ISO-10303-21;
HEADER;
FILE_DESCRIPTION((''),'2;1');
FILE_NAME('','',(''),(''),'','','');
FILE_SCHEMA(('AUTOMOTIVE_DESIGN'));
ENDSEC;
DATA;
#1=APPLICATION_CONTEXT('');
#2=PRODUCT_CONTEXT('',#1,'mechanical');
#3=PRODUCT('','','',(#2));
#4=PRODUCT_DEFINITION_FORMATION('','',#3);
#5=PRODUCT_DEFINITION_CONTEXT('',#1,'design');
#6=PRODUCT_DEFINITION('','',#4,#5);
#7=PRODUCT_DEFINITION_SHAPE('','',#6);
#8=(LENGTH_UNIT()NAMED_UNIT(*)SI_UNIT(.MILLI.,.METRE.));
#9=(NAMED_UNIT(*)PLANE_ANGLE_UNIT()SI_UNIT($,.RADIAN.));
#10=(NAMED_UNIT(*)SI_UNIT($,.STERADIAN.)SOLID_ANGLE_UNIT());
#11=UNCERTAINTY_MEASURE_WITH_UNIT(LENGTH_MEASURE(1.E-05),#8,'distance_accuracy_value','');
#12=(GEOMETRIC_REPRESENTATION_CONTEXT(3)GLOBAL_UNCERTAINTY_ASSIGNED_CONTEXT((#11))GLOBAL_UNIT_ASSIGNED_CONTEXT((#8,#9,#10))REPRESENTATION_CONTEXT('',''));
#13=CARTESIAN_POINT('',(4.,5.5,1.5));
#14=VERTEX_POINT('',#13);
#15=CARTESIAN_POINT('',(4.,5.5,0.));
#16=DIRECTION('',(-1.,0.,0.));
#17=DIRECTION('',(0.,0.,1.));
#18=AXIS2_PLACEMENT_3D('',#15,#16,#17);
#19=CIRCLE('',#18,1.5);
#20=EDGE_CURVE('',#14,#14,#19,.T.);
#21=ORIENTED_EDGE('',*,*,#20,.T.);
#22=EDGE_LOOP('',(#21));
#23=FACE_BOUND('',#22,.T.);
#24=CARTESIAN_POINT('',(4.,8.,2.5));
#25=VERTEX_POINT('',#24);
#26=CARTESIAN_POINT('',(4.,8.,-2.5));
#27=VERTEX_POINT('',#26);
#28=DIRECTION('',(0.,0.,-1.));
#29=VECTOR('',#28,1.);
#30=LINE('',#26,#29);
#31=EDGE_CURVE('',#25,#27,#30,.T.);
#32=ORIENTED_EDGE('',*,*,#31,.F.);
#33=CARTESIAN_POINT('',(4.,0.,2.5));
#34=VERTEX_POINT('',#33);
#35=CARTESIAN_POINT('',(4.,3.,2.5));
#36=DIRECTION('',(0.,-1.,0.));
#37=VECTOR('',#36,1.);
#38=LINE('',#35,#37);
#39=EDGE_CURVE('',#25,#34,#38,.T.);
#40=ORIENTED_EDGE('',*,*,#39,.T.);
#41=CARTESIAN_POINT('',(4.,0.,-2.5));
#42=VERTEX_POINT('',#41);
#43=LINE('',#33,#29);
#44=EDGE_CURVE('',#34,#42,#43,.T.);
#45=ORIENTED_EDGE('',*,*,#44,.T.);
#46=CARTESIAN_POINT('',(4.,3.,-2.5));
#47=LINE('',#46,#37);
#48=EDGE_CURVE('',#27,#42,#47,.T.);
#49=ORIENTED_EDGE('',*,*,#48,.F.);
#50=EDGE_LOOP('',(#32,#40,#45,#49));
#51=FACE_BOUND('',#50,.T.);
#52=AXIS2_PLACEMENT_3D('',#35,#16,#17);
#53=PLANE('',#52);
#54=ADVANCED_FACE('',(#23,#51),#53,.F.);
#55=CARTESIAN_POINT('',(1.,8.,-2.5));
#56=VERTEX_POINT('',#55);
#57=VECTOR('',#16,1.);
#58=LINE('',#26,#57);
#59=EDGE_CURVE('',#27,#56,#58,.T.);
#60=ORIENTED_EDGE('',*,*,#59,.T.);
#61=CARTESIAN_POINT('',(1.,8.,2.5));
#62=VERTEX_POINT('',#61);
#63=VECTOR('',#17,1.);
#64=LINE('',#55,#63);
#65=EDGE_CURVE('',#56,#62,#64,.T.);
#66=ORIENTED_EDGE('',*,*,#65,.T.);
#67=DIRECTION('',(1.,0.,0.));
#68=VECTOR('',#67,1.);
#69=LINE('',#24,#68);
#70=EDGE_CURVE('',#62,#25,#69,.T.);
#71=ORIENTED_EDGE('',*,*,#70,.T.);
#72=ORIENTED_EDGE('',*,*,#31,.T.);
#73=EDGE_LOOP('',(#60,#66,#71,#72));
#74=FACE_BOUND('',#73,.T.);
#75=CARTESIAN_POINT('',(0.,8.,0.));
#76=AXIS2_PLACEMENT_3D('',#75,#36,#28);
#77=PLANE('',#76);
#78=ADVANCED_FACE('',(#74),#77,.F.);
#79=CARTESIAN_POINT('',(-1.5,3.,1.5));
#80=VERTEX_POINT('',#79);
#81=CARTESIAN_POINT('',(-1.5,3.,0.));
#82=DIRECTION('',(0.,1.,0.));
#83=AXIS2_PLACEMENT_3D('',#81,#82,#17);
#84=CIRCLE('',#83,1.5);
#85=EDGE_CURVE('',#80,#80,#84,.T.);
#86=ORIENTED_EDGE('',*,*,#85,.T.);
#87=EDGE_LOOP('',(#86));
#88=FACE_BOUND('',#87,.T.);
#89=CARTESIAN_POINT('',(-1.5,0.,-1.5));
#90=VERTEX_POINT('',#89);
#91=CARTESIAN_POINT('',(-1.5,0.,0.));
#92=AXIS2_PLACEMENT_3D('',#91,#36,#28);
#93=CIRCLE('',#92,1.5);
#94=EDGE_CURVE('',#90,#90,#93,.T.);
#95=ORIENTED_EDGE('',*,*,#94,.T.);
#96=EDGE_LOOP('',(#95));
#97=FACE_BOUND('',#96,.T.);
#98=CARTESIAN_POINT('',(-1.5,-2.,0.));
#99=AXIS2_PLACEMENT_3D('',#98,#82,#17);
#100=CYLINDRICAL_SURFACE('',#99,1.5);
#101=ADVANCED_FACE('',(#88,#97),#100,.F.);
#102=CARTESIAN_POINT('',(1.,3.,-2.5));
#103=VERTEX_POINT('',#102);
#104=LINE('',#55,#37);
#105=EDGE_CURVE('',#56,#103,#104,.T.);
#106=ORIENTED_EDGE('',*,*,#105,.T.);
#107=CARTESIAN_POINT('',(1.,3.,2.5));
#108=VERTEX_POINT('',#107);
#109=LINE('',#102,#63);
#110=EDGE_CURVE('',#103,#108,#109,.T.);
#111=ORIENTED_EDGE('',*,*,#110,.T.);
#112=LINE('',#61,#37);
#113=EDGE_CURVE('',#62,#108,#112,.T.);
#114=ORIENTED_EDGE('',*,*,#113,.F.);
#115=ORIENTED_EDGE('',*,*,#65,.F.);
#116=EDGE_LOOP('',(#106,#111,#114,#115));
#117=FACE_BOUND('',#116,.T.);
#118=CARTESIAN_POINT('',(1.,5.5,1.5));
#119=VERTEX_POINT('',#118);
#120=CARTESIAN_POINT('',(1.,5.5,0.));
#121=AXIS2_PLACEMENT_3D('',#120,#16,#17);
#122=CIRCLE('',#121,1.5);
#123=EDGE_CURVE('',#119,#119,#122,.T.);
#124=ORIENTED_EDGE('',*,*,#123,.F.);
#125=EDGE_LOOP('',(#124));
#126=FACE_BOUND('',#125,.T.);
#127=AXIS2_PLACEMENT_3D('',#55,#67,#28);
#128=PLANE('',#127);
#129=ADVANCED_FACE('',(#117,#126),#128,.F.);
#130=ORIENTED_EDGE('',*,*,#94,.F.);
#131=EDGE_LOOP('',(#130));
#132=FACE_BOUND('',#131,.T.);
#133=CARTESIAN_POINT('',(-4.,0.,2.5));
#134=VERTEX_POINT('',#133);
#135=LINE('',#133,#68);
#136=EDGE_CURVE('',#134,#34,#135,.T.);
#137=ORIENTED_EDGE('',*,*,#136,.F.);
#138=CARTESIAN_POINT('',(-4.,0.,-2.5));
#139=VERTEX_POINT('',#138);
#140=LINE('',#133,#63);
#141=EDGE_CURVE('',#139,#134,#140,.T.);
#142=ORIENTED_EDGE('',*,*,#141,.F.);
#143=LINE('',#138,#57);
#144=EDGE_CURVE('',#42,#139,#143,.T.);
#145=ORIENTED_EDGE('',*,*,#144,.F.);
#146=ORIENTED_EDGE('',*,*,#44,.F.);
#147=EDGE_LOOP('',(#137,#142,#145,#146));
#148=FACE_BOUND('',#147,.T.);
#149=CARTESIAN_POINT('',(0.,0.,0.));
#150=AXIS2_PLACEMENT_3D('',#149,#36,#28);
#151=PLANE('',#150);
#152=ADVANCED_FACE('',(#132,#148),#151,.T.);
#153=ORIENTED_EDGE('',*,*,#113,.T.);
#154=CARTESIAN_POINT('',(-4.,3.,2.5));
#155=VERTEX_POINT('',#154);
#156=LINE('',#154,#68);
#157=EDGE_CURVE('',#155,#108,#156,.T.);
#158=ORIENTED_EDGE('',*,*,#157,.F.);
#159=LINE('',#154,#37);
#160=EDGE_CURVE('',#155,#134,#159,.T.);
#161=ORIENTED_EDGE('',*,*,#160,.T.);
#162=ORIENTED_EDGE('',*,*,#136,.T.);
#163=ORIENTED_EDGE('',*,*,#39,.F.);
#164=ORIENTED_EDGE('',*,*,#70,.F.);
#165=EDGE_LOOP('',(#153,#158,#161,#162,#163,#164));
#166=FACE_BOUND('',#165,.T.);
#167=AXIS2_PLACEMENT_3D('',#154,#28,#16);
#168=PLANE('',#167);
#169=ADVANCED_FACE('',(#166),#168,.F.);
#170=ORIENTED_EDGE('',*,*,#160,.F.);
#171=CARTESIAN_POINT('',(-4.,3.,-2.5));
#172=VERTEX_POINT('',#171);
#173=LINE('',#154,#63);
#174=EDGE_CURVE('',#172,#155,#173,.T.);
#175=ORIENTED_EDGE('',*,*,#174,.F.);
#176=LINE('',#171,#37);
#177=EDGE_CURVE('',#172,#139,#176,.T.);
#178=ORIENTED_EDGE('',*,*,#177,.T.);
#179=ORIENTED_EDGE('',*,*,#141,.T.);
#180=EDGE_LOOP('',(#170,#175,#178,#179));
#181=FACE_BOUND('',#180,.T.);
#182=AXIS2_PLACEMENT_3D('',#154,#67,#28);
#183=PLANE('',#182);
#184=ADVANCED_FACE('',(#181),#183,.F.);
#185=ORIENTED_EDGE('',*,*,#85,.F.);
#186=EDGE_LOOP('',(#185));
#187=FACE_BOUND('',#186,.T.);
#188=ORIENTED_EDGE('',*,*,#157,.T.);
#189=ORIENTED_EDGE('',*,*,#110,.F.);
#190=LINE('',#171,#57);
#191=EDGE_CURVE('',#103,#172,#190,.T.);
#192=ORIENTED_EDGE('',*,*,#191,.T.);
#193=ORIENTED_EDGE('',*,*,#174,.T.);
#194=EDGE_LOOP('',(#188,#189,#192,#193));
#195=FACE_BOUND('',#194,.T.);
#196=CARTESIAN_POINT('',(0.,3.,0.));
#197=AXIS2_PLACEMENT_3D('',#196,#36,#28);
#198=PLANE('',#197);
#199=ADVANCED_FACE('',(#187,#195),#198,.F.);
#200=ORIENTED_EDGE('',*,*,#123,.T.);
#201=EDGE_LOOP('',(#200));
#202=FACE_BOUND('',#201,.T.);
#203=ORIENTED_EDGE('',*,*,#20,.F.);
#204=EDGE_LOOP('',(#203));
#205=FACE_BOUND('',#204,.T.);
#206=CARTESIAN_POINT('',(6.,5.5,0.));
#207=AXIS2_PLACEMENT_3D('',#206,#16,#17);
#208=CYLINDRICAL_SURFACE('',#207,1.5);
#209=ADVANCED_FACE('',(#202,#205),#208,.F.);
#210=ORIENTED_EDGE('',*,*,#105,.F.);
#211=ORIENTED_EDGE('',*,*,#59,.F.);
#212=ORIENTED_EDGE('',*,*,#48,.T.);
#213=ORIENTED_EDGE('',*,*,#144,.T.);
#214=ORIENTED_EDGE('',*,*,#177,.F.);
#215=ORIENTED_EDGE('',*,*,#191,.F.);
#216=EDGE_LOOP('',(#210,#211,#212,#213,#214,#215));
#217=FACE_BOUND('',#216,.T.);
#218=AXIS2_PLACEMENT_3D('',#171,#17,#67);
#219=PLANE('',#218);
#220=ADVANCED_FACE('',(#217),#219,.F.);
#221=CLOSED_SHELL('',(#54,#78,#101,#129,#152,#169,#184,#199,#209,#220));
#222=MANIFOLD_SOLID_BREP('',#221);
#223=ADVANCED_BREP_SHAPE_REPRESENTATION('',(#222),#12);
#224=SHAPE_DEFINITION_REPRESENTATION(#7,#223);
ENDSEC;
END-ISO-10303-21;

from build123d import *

# Parameters (mm, degrees)
SKETCH1_W           = 8
SKETCH1_H           = 5
BOSS_EXTRUDE1_DEPTH = 3
SKETCH2_W           = 3
SKETCH2_H           = 5
BOSS_EXTRUDE2_DEPTH = 5
SKETCH3_R           = 1.5
CUT_EXTRUDE1_DEPTH  = 5
SKETCH4_R           = 1.5
CUT_EXTRUDE2_DEPTH  = 5


with BuildPart() as part:
    # Sketch1 → Boss-Extrude1 (new body)
    with BuildSketch(Plane(origin=(0, 0, 0), x_dir=(1, 0, 0), z_dir=(0, 1, 0))):
        Rectangle(SKETCH1_W, SKETCH1_H)
    extrude(amount=BOSS_EXTRUDE1_DEPTH)

    # Sketch2 → Boss-Extrude2 (add)
    with BuildSketch(Plane(origin=(0, 3, 0), x_dir=(1, 0, 0), z_dir=(0, 1, 0))):
        with Locations((2.5, 0)):
            Rectangle(SKETCH2_W, SKETCH2_H)
    extrude(amount=BOSS_EXTRUDE2_DEPTH)

    # Sketch3 → Cut-Extrude1 (cut)
    with BuildSketch(Plane(origin=(0, 3, 0), x_dir=(1, 0, 0), z_dir=(0, 1, 0))):
        with Locations(Location((-1.5, 0, 0), (0, 0, 270))):
            Circle(SKETCH3_R)
    extrude(amount=-CUT_EXTRUDE1_DEPTH, mode=Mode.SUBTRACT)

    # Sketch4 → Cut-Extrude2 (cut)
    with BuildSketch(Plane.ZY.offset(-1)):
        with Locations((0, 5.5)):
            Circle(SKETCH4_R)
    extrude(amount=-CUT_EXTRUDE2_DEPTH, mode=Mode.SUBTRACT)


solid = part.part
